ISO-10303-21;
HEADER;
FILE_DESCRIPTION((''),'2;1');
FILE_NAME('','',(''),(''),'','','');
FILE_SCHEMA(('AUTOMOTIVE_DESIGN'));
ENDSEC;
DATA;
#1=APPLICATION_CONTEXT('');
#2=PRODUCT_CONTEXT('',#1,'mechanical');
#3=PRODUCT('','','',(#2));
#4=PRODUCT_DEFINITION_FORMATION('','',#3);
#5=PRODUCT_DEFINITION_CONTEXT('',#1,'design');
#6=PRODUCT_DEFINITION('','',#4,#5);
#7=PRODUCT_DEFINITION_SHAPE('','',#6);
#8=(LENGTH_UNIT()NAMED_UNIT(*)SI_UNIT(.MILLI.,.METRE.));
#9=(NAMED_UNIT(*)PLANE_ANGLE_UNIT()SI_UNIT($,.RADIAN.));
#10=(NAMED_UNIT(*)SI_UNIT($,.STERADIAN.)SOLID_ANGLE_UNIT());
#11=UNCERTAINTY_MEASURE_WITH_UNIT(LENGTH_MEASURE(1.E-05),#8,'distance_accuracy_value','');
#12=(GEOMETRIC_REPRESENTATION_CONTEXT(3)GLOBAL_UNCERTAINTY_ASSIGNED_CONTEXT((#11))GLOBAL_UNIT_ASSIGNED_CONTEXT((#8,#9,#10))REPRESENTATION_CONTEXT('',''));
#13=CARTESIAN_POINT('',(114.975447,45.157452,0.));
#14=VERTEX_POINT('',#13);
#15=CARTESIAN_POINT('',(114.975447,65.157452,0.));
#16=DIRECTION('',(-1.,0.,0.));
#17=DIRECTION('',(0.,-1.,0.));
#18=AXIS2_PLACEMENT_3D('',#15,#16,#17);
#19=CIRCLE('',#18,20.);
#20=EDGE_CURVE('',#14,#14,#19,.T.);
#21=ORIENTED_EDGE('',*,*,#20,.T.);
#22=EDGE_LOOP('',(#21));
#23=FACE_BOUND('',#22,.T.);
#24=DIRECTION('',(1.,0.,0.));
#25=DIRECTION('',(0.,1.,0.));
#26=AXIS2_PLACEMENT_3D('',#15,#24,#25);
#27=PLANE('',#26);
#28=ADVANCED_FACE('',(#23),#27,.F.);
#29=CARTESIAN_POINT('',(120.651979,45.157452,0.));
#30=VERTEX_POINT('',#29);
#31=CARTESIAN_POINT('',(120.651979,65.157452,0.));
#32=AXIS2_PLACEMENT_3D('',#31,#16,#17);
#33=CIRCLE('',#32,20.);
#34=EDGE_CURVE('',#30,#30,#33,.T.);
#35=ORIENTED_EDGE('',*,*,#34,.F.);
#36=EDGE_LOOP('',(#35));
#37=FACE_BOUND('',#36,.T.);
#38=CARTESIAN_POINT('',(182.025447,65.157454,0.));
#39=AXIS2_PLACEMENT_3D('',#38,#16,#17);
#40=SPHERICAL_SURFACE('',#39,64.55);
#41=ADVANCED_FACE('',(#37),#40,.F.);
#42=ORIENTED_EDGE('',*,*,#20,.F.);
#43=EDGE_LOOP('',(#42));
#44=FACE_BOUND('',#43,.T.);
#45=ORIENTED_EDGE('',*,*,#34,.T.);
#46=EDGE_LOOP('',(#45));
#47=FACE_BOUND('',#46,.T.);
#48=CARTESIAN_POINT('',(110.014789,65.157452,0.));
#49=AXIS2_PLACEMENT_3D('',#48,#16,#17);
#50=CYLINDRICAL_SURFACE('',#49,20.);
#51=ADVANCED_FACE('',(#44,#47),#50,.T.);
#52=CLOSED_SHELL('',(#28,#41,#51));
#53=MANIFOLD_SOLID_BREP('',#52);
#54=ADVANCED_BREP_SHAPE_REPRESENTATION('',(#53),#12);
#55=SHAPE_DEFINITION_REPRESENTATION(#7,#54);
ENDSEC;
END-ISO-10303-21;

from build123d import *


with BuildPart() as part:
    # 草图1 → 旋转1 (revolve)
    with BuildSketch(Plane.XY, mode=Mode.PRIVATE) as revolve_1_sk:
        with BuildLine():
            Line((114.97544726, 65.157451827), (114.97544726, 85.157451827))
            Line((114.97544726, 85.157451827), (120.651979298, 85.157451827))
            ThreePointArc((120.651979298, 85.157451827), (118.274526122, 75.282795741), (117.47544726, 65.157451827))
            Line((117.47544726, 65.157451827), (114.97544726, 65.157451827))
        make_face()
    revolve(revolve_1_sk.sketch.rotate(Axis((110.014789249, 65.157451827, 0), (1, 0, 0)), 180), axis=Axis((110.014789249, 65.157451827, 0), (1, 0, 0)))  # turned: the seam where the file's is


solid = part.part
